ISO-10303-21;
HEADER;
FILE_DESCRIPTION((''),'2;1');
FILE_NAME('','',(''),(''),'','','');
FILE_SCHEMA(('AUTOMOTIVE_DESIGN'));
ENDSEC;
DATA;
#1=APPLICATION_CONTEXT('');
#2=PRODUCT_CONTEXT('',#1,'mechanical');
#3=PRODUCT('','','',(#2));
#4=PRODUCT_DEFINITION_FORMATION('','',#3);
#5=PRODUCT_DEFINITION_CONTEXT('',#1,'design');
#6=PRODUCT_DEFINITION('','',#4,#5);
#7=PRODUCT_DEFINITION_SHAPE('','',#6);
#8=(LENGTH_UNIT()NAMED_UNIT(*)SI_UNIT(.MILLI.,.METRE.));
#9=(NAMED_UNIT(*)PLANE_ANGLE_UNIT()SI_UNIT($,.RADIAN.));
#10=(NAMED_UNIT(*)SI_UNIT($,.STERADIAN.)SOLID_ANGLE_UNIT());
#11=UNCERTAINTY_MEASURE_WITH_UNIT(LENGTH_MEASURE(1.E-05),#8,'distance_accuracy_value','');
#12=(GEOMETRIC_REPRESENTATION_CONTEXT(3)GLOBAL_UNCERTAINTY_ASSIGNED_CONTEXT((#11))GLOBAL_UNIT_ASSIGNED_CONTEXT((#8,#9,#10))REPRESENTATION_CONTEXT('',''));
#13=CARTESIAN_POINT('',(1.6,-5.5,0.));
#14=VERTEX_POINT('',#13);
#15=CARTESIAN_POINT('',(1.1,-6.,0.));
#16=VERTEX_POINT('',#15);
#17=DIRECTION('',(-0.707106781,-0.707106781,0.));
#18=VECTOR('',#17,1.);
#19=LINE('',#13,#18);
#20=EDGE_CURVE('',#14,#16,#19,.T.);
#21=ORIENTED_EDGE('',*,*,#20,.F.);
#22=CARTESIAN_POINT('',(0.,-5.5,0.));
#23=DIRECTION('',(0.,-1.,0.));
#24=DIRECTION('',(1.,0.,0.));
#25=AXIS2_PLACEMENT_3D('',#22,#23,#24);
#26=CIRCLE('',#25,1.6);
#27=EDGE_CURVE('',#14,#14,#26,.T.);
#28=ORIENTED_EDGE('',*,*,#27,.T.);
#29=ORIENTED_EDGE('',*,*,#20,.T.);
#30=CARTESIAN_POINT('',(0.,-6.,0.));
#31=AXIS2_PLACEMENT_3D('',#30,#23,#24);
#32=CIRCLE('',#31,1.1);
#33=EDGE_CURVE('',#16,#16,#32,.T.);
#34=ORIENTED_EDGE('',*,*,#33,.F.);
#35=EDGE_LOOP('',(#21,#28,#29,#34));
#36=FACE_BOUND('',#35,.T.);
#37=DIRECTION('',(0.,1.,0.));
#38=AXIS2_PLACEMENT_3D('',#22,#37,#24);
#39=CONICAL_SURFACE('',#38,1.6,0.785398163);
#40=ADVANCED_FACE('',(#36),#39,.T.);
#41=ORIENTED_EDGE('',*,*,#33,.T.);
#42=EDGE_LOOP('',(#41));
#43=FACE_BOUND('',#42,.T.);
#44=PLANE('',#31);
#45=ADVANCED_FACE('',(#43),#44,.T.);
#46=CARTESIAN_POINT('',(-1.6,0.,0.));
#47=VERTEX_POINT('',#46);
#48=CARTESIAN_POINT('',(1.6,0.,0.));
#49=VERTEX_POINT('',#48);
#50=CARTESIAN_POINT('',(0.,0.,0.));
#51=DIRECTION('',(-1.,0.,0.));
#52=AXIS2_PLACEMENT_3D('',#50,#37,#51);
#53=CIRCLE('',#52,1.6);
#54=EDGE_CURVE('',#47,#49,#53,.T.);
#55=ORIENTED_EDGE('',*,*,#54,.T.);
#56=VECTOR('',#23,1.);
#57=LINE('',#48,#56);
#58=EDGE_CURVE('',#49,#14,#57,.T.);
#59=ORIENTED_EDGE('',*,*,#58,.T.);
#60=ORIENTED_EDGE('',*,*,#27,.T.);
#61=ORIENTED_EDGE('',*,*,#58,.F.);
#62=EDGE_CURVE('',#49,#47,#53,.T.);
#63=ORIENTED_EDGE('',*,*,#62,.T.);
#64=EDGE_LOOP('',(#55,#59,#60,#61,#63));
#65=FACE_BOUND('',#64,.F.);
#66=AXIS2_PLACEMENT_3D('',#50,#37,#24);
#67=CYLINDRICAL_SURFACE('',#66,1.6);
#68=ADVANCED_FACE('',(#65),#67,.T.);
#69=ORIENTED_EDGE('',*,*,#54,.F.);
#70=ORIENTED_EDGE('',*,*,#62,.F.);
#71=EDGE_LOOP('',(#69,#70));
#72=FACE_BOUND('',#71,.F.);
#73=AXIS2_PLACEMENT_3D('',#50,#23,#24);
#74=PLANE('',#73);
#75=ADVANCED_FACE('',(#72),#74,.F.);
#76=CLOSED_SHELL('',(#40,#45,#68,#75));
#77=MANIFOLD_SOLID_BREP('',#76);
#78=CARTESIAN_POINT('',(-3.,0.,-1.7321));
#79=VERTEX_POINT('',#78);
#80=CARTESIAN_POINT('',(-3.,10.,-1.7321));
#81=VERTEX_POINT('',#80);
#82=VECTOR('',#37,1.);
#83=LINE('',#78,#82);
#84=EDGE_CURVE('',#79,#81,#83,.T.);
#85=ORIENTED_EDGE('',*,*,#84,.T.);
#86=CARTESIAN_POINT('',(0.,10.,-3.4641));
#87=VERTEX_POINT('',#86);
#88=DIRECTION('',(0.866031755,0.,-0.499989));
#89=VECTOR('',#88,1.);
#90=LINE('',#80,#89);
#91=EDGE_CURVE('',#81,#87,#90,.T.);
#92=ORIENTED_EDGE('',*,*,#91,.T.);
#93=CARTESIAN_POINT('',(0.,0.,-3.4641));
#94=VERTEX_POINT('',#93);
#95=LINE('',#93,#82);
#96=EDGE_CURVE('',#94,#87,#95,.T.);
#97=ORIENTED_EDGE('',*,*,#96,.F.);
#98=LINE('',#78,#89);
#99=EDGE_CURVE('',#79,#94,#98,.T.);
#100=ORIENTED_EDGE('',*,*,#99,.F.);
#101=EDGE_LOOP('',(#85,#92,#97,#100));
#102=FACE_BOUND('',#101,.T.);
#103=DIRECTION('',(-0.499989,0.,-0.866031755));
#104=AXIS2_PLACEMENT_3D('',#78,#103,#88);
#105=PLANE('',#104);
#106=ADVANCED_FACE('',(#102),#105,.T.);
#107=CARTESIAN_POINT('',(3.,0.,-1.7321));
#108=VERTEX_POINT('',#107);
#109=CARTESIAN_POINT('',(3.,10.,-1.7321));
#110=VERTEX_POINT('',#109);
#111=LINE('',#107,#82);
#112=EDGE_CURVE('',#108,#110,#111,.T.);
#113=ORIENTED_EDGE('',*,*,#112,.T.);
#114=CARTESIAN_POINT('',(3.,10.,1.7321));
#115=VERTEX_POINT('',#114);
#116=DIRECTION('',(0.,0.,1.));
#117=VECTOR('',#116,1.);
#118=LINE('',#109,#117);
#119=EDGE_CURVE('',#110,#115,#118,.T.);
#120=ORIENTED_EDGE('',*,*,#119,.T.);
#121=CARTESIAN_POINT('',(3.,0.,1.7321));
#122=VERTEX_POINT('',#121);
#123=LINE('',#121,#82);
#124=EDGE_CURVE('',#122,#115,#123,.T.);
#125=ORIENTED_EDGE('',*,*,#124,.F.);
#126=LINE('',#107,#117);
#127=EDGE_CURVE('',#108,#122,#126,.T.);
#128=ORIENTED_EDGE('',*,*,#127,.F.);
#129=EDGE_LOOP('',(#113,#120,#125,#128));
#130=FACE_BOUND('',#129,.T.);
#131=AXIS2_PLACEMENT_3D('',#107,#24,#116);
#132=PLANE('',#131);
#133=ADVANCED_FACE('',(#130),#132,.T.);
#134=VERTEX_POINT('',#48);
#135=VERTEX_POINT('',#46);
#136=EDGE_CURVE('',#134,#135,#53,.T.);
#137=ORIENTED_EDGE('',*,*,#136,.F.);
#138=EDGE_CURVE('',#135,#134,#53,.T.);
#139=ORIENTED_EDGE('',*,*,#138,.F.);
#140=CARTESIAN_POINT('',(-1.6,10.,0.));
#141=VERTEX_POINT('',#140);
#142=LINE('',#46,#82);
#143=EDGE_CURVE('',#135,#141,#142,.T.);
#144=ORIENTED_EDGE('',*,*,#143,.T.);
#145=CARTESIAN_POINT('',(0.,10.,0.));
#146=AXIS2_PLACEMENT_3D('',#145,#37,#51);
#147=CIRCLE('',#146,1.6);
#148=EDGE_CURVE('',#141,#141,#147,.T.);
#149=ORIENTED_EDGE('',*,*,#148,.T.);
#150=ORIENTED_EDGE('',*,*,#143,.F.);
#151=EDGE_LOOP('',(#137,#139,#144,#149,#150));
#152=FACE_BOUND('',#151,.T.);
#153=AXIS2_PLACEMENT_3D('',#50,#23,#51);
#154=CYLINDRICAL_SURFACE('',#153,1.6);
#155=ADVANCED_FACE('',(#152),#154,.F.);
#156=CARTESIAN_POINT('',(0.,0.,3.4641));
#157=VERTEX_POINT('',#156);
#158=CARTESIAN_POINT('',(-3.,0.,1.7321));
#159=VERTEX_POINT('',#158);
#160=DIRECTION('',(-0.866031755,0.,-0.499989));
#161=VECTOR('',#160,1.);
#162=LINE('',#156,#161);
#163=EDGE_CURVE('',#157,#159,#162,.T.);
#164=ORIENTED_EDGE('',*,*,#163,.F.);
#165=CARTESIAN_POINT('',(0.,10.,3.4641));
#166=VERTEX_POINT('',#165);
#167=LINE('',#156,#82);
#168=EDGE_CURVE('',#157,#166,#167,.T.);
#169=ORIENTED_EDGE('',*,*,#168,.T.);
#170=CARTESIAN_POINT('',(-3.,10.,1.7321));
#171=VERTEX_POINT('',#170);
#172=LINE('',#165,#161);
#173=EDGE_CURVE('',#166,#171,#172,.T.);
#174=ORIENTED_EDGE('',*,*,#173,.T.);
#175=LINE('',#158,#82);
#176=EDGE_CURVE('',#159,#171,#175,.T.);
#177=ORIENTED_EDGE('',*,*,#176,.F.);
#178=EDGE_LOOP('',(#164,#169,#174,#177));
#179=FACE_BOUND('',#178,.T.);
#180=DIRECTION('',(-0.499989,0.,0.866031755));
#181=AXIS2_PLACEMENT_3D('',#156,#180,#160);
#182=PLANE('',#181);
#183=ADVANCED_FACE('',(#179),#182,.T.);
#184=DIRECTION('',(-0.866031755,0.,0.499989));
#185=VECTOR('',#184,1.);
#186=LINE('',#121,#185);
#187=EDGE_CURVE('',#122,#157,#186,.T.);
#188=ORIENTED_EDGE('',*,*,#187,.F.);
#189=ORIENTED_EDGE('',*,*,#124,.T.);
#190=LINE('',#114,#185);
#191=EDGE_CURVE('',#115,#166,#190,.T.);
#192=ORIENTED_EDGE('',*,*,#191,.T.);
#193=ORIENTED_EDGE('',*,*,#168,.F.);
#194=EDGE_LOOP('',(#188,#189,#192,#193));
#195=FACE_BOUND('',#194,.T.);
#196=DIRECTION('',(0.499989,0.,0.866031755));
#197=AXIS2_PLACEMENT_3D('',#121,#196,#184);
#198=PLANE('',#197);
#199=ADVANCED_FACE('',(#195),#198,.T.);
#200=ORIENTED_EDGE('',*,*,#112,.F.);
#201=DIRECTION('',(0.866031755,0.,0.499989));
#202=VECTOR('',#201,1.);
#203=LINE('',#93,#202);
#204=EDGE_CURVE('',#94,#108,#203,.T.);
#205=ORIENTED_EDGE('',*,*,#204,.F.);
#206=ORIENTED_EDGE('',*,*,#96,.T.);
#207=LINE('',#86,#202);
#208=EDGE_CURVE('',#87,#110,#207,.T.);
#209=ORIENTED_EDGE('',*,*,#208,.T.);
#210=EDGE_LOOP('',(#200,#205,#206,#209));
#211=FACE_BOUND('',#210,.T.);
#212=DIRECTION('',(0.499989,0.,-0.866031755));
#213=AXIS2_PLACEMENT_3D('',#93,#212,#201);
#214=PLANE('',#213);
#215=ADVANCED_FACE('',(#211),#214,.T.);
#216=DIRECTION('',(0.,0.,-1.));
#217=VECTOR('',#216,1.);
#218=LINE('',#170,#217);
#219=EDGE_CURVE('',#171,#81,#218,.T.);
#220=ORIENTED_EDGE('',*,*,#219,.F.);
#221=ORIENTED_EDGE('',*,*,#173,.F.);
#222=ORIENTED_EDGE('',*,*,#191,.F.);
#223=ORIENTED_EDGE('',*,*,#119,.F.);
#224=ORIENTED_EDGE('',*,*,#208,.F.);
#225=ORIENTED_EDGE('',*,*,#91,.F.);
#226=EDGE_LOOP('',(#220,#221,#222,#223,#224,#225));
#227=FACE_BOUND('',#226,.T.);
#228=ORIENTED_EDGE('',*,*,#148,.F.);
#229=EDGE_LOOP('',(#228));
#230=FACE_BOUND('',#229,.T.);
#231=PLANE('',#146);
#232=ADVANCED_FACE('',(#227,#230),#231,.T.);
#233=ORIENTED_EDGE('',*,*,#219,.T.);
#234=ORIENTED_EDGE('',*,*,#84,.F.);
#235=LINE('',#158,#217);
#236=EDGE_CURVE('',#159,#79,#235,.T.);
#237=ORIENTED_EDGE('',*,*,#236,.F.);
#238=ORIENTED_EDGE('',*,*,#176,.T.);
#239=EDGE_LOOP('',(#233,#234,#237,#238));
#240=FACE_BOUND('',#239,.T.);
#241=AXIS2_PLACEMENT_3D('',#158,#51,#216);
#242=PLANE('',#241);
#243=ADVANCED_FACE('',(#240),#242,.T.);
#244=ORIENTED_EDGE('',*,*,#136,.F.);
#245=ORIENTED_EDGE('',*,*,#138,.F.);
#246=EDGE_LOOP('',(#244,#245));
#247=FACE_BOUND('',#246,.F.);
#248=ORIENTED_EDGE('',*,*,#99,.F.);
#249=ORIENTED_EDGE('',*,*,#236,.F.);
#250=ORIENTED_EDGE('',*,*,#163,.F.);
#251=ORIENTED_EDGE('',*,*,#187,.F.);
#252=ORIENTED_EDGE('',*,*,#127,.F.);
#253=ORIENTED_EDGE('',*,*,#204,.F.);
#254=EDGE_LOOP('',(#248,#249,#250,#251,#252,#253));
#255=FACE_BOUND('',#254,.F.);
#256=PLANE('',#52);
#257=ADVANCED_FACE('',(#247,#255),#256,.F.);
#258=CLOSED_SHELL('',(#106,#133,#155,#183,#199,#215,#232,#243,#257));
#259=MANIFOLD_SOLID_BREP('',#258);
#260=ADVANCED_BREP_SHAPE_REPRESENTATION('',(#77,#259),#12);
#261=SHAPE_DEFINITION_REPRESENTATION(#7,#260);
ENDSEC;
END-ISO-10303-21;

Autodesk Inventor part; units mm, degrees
ref_plane "YZ Plane" through (0, 0, 0) normal (1, 0, 0) x (0, 1, 0)
ref_plane "XZ Plane" through (0, 0, 0) normal (0, 1, 0) x (-1, 0, 0)
ref_plane "XY Plane" through (0, 0, 0) normal (0, 0, 1) x (1, 0, 0)
sketch "Sketch1" plane through (0, 0, 0) normal (0, 1, 0) x (-1, 0, 0)
  circle A0 centre (0, 0) radius 1.6
  line L0 (0, -3.4641) -> (-3, -1.7321)
  line L1 (-3, -1.7321) -> (-3, 1.7321)
  line L2 (-3, 1.7321) -> (0, 3.4641)
  line L3 (0, 3.4641) -> (3, 1.7321)
  line L4 (3, 1.7321) -> (3, -1.7321)
  line L5 (3, -1.7321) -> (0, -3.4641)
  dimension "d0" = 3.2
  dimension "d1" = 6
extrude "Extrusion1" add sketch "Sketch1" along normal blind 10
sketch "Sketch3" plane through (0, 0, 0) normal (0, -1, 0) x (1, 0, 0)
  circle A0 centre (0, 0) radius 1.6 projected
  line L0 (0, -3.4641) -> (3, -1.7321) projected
  line L1 (3, -1.7321) -> (3, 1.7321) projected
  line L2 (3, 1.7321) -> (0, 3.4641) projected
  line L3 (0, 3.4641) -> (-3, 1.7321) projected
  line L4 (-3, 1.7321) -> (-3, -1.7321) projected
  line L5 (-3, -1.7321) -> (0, -3.4641) projected
extrude "Extrusion3" add sketch "Sketch3" along normal blind 6 contours A0
thread "Thread2" size "M3.5x0.6" class "6g" standard "ANSI Metric M Profile" full length
chamfer "Chamfer2" distance 0.5 angle 45 1 edges at (-1.6, -6, 0)
properties part number "Standoff 40" material "Nylon 6"
